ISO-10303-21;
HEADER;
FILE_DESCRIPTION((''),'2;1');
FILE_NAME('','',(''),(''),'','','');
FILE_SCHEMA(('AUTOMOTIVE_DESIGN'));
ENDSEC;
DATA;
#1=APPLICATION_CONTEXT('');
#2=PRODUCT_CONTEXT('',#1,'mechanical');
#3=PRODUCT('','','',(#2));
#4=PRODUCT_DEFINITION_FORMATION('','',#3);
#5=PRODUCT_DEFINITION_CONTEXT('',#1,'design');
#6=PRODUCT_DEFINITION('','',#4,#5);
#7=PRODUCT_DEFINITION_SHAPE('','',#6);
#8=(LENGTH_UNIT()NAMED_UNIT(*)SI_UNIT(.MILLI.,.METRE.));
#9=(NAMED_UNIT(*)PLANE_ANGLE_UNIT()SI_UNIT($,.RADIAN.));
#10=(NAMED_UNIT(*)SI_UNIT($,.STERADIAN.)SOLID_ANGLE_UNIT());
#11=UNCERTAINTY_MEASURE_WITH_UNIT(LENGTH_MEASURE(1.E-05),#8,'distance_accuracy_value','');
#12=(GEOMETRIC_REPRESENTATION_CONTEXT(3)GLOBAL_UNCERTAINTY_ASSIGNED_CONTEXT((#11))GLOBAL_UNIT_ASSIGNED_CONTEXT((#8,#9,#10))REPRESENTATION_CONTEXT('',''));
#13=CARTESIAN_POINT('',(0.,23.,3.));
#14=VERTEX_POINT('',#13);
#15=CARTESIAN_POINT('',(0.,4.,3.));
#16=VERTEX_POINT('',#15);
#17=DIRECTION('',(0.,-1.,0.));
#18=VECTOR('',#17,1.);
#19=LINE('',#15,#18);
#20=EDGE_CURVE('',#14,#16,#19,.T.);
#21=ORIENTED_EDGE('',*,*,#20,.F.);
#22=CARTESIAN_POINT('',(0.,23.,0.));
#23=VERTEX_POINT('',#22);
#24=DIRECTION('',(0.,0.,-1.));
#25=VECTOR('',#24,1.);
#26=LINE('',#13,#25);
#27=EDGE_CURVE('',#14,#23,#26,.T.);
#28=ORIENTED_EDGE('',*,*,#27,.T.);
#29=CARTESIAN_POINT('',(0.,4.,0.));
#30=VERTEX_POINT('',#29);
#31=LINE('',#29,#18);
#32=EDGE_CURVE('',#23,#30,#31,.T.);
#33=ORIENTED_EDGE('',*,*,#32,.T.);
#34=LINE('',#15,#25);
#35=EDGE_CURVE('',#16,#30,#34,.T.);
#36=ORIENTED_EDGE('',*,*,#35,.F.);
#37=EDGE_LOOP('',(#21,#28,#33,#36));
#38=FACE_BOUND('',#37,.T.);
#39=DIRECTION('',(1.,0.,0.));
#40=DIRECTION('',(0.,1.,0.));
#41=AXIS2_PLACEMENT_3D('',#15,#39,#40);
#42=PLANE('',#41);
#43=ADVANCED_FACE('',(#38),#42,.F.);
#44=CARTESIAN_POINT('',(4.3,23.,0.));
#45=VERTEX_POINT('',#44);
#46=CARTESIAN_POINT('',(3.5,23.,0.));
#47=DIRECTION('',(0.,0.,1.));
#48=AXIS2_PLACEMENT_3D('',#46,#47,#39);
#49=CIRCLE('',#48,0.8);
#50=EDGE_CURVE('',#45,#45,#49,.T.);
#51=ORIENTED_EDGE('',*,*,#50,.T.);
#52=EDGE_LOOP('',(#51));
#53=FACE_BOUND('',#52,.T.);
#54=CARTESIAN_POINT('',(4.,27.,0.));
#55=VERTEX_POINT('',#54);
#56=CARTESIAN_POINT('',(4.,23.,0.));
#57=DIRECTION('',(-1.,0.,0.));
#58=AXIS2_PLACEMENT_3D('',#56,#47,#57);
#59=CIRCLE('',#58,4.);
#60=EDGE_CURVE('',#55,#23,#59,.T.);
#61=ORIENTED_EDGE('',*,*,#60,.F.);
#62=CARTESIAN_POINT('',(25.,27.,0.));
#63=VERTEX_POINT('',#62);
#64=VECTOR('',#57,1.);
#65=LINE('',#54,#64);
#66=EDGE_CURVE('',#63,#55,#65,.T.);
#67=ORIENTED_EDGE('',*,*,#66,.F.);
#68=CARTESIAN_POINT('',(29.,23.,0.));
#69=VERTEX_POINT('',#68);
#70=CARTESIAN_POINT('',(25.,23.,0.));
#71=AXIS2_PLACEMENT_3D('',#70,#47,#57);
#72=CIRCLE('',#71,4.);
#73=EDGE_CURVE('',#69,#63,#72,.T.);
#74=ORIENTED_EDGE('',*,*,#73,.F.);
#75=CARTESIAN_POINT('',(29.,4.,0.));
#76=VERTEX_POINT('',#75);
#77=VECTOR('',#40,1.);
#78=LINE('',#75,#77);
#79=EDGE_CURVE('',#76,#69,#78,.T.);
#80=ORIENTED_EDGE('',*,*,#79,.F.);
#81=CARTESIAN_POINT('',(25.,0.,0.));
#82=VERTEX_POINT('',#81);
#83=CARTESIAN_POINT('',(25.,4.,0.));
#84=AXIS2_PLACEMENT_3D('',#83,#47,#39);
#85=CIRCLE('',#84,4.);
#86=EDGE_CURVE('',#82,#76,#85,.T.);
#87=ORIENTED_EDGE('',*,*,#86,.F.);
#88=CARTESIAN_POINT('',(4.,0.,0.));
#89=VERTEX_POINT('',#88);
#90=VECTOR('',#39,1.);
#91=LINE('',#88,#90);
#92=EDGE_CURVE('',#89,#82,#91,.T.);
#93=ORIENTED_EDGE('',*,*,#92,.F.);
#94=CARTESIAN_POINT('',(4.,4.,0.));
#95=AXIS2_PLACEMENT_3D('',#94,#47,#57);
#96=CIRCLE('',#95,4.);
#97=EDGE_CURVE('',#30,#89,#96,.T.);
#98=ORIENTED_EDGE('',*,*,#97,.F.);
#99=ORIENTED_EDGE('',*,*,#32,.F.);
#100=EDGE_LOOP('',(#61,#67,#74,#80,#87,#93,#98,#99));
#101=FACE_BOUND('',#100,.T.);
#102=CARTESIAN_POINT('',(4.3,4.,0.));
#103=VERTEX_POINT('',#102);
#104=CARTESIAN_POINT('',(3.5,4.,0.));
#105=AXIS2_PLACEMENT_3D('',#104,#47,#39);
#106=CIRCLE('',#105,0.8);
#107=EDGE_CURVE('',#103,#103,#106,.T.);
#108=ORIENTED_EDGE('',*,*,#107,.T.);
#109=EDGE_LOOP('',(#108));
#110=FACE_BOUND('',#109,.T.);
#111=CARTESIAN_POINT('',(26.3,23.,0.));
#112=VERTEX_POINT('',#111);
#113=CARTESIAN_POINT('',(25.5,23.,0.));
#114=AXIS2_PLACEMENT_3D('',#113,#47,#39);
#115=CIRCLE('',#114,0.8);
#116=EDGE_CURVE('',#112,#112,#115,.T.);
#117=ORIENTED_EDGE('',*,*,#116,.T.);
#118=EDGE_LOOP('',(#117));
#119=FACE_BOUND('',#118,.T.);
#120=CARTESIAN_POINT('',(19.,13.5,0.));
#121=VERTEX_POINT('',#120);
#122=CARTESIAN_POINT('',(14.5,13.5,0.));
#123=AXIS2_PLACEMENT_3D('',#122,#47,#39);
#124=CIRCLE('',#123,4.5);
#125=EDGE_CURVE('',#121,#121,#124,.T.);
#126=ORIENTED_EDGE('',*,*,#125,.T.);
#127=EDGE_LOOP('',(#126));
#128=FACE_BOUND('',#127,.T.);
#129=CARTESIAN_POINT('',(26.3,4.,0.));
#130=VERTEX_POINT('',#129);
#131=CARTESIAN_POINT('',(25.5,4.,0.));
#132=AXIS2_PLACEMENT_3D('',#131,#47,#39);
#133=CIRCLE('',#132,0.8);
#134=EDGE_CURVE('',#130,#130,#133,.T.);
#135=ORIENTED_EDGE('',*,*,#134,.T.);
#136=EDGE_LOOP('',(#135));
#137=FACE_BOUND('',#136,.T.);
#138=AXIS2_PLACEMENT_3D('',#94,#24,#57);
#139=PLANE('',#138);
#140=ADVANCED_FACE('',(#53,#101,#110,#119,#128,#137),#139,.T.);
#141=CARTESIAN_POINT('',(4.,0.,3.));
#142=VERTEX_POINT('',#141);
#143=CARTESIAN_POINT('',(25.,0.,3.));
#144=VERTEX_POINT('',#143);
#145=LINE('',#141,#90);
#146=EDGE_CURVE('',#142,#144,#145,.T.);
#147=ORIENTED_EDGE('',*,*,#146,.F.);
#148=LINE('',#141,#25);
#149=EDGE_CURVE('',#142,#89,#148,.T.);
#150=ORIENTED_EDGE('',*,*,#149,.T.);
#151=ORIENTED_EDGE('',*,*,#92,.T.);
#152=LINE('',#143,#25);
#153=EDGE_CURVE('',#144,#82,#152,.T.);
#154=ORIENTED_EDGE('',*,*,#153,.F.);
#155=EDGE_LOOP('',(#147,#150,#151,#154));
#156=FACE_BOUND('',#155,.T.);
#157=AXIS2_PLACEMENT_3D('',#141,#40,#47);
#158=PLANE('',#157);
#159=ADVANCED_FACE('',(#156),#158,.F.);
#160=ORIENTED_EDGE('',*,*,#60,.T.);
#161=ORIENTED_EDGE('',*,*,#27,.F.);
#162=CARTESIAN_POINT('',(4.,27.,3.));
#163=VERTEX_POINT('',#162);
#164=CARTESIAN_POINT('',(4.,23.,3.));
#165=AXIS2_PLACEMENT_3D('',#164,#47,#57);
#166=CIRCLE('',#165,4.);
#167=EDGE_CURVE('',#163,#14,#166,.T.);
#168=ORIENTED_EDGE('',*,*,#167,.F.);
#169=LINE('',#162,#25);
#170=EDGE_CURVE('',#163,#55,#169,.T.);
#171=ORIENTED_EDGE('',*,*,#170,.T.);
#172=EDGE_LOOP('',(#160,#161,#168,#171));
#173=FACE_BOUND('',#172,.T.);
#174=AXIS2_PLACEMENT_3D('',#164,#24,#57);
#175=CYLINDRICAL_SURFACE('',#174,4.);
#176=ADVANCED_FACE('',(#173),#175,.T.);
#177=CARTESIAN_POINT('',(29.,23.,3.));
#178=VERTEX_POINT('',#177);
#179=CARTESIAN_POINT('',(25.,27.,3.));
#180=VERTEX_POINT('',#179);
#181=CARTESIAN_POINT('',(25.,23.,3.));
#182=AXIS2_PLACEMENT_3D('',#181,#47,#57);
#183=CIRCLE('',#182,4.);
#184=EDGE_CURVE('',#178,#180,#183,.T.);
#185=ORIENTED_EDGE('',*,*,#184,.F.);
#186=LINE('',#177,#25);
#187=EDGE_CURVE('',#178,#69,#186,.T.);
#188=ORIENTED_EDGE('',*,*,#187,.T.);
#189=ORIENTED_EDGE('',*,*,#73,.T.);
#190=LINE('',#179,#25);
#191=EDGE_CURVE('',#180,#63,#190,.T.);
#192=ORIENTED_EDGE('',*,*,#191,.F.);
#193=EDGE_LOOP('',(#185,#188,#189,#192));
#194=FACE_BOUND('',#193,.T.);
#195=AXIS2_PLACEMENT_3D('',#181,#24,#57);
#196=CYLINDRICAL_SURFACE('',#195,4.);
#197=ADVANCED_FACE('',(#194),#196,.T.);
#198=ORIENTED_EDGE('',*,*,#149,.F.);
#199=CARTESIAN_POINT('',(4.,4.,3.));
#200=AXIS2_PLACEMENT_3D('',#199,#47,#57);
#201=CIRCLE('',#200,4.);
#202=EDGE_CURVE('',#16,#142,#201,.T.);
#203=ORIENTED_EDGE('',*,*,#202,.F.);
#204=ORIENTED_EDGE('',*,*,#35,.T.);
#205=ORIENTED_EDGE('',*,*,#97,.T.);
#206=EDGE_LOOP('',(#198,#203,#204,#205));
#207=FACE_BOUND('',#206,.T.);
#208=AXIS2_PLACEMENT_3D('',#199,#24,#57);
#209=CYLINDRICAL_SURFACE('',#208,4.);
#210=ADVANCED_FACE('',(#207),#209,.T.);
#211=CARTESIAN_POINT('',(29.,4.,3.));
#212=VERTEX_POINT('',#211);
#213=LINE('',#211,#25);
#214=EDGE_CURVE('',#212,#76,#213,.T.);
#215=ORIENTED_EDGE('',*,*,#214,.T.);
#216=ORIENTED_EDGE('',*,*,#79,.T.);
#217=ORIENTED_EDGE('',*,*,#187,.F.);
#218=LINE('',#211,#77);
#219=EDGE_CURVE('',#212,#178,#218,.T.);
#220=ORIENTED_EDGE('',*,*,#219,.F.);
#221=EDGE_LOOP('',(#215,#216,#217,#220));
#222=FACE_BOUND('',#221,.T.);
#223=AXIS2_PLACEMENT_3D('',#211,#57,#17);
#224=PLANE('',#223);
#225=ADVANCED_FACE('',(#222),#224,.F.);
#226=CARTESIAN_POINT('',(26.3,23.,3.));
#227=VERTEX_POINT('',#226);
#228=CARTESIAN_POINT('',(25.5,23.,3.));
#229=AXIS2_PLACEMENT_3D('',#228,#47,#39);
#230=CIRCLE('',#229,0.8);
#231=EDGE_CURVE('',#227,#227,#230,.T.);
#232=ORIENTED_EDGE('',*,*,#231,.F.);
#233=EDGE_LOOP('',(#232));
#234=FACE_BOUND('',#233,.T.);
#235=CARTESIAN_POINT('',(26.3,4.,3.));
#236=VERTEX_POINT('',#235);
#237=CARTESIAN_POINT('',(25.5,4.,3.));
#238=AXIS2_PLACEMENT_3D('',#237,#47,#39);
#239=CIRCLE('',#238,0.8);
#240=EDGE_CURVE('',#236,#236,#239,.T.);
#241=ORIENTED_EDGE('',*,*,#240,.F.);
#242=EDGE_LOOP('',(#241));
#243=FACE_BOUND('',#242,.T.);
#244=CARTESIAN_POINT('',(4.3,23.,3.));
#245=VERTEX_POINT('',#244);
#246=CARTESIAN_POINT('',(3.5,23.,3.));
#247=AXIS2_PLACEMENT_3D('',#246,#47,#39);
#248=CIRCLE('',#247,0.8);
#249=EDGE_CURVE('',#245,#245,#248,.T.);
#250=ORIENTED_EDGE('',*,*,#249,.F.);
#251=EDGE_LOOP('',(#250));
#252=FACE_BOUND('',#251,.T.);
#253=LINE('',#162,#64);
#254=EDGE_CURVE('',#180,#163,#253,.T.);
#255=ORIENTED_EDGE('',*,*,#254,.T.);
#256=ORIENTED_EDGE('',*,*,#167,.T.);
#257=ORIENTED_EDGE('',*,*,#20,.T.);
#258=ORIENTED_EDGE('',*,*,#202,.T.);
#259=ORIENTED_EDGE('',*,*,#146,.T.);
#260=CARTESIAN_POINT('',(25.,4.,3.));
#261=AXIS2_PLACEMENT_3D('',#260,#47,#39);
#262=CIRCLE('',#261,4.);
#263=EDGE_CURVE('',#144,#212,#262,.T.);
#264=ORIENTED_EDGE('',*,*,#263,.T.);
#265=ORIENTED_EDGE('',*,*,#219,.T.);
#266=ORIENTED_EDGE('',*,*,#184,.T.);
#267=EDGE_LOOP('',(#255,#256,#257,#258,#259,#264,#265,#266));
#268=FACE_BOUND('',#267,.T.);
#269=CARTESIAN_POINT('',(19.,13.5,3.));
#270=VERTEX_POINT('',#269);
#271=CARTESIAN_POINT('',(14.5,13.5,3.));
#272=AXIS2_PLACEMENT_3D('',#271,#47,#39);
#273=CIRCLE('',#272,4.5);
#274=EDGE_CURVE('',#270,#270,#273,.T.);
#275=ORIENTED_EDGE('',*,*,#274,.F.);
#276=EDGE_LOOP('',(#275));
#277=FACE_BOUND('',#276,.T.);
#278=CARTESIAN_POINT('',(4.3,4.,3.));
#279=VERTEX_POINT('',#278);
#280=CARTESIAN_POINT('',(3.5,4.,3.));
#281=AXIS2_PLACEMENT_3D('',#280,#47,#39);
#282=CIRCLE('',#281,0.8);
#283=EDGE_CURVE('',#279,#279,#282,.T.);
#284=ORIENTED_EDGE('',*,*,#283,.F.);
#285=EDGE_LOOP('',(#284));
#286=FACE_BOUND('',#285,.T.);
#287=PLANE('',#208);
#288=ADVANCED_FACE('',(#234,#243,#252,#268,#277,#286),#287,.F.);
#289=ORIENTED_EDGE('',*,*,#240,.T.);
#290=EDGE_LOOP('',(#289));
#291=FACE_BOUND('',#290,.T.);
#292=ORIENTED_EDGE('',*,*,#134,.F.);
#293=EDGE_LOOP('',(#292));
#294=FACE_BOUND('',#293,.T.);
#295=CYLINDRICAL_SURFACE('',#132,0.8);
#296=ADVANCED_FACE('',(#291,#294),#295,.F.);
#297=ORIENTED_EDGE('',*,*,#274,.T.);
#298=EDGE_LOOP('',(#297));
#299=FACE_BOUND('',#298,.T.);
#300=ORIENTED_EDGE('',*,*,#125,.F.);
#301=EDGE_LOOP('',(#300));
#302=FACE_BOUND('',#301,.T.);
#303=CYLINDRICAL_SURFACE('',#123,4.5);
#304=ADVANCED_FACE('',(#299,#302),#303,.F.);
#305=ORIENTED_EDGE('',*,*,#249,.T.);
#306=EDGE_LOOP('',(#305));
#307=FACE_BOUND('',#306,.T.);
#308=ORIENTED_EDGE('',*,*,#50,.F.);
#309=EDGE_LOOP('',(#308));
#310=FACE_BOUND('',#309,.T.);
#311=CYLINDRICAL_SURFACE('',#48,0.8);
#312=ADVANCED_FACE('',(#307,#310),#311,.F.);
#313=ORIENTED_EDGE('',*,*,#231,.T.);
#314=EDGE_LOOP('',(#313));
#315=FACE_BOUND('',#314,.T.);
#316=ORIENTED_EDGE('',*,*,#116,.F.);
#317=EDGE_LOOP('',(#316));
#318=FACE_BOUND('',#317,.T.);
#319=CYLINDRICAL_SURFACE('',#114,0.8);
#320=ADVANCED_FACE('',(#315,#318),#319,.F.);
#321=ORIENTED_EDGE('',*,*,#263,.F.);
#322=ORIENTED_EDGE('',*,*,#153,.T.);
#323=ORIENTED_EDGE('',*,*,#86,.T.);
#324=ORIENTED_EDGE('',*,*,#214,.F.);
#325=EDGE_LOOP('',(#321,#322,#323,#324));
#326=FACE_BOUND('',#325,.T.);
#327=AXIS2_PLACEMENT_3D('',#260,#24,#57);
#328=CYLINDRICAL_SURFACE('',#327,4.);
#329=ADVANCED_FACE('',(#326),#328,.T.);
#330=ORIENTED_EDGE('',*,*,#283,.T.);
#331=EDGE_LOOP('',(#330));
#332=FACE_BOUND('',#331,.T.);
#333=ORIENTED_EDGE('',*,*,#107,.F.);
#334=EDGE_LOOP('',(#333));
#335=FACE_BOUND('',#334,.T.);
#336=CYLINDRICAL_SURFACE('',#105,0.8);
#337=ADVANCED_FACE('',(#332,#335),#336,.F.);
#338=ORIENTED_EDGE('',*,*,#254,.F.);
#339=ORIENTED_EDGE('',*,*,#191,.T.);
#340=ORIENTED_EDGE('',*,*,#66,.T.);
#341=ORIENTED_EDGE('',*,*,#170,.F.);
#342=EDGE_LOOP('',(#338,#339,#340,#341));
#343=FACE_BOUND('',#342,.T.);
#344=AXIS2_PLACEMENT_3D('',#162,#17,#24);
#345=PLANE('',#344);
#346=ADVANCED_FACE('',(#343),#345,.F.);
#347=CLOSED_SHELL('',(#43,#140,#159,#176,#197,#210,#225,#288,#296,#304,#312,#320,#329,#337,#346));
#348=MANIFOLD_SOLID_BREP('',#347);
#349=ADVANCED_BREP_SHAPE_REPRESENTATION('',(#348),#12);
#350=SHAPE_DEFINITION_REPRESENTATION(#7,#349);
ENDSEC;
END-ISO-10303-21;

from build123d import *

# Parameters (mm, degrees)
EXTRUDE_1_DEPTH     = 3
SKETCH_2_R          = 4.5
CUT_EXTRUDE_1_DEPTH = 40.736632973
SKETCH_3_R          = 0.8
CUT_EXTRUDE_2_DEPTH = 40.736632973


with BuildPart() as part:
    # Эскиз1 → Бобышка-Вытянуть1 (new body)
    with BuildSketch(Plane.XY):
        with BuildLine():
            Line((4, 0), (25, 0))
            ThreePointArc((25, 0), (27.828427125, 1.171572875), (29, 4))
            Line((29, 4), (29, 23))
            ThreePointArc((29, 23), (27.828427125, 25.828427125), (25, 27))
            Line((25, 27), (4, 27))
            ThreePointArc((4, 27), (1.171572875, 25.828427125), (0, 23))
            Line((0, 23), (0, 4))
            ThreePointArc((0, 4), (1.171572875, 1.171572875), (4, 0))
        make_face()
    extrude(amount=EXTRUDE_1_DEPTH)

    # Эскиз2 → Вырез-Вытянуть1 (cut, through all)
    with BuildSketch(Plane.XY.offset(3)):
        with Locations((14.5, 13.5)):
            Circle(SKETCH_2_R)
    extrude(amount=-CUT_EXTRUDE_1_DEPTH, mode=Mode.SUBTRACT)

    # Эскиз3 → Вырез-Вытянуть2 (cut, through all)
    with BuildSketch(Plane.XY.offset(3)):
        with Locations((3.5, 4)):
            Circle(SKETCH_3_R)
        with Locations((25.5, 4)):
            Circle(SKETCH_3_R)
        with Locations((25.5, 23)):
            Circle(SKETCH_3_R)
        with Locations((3.5, 23)):
            Circle(SKETCH_3_R)
    extrude(amount=-CUT_EXTRUDE_2_DEPTH, mode=Mode.SUBTRACT)


solid = part.part
